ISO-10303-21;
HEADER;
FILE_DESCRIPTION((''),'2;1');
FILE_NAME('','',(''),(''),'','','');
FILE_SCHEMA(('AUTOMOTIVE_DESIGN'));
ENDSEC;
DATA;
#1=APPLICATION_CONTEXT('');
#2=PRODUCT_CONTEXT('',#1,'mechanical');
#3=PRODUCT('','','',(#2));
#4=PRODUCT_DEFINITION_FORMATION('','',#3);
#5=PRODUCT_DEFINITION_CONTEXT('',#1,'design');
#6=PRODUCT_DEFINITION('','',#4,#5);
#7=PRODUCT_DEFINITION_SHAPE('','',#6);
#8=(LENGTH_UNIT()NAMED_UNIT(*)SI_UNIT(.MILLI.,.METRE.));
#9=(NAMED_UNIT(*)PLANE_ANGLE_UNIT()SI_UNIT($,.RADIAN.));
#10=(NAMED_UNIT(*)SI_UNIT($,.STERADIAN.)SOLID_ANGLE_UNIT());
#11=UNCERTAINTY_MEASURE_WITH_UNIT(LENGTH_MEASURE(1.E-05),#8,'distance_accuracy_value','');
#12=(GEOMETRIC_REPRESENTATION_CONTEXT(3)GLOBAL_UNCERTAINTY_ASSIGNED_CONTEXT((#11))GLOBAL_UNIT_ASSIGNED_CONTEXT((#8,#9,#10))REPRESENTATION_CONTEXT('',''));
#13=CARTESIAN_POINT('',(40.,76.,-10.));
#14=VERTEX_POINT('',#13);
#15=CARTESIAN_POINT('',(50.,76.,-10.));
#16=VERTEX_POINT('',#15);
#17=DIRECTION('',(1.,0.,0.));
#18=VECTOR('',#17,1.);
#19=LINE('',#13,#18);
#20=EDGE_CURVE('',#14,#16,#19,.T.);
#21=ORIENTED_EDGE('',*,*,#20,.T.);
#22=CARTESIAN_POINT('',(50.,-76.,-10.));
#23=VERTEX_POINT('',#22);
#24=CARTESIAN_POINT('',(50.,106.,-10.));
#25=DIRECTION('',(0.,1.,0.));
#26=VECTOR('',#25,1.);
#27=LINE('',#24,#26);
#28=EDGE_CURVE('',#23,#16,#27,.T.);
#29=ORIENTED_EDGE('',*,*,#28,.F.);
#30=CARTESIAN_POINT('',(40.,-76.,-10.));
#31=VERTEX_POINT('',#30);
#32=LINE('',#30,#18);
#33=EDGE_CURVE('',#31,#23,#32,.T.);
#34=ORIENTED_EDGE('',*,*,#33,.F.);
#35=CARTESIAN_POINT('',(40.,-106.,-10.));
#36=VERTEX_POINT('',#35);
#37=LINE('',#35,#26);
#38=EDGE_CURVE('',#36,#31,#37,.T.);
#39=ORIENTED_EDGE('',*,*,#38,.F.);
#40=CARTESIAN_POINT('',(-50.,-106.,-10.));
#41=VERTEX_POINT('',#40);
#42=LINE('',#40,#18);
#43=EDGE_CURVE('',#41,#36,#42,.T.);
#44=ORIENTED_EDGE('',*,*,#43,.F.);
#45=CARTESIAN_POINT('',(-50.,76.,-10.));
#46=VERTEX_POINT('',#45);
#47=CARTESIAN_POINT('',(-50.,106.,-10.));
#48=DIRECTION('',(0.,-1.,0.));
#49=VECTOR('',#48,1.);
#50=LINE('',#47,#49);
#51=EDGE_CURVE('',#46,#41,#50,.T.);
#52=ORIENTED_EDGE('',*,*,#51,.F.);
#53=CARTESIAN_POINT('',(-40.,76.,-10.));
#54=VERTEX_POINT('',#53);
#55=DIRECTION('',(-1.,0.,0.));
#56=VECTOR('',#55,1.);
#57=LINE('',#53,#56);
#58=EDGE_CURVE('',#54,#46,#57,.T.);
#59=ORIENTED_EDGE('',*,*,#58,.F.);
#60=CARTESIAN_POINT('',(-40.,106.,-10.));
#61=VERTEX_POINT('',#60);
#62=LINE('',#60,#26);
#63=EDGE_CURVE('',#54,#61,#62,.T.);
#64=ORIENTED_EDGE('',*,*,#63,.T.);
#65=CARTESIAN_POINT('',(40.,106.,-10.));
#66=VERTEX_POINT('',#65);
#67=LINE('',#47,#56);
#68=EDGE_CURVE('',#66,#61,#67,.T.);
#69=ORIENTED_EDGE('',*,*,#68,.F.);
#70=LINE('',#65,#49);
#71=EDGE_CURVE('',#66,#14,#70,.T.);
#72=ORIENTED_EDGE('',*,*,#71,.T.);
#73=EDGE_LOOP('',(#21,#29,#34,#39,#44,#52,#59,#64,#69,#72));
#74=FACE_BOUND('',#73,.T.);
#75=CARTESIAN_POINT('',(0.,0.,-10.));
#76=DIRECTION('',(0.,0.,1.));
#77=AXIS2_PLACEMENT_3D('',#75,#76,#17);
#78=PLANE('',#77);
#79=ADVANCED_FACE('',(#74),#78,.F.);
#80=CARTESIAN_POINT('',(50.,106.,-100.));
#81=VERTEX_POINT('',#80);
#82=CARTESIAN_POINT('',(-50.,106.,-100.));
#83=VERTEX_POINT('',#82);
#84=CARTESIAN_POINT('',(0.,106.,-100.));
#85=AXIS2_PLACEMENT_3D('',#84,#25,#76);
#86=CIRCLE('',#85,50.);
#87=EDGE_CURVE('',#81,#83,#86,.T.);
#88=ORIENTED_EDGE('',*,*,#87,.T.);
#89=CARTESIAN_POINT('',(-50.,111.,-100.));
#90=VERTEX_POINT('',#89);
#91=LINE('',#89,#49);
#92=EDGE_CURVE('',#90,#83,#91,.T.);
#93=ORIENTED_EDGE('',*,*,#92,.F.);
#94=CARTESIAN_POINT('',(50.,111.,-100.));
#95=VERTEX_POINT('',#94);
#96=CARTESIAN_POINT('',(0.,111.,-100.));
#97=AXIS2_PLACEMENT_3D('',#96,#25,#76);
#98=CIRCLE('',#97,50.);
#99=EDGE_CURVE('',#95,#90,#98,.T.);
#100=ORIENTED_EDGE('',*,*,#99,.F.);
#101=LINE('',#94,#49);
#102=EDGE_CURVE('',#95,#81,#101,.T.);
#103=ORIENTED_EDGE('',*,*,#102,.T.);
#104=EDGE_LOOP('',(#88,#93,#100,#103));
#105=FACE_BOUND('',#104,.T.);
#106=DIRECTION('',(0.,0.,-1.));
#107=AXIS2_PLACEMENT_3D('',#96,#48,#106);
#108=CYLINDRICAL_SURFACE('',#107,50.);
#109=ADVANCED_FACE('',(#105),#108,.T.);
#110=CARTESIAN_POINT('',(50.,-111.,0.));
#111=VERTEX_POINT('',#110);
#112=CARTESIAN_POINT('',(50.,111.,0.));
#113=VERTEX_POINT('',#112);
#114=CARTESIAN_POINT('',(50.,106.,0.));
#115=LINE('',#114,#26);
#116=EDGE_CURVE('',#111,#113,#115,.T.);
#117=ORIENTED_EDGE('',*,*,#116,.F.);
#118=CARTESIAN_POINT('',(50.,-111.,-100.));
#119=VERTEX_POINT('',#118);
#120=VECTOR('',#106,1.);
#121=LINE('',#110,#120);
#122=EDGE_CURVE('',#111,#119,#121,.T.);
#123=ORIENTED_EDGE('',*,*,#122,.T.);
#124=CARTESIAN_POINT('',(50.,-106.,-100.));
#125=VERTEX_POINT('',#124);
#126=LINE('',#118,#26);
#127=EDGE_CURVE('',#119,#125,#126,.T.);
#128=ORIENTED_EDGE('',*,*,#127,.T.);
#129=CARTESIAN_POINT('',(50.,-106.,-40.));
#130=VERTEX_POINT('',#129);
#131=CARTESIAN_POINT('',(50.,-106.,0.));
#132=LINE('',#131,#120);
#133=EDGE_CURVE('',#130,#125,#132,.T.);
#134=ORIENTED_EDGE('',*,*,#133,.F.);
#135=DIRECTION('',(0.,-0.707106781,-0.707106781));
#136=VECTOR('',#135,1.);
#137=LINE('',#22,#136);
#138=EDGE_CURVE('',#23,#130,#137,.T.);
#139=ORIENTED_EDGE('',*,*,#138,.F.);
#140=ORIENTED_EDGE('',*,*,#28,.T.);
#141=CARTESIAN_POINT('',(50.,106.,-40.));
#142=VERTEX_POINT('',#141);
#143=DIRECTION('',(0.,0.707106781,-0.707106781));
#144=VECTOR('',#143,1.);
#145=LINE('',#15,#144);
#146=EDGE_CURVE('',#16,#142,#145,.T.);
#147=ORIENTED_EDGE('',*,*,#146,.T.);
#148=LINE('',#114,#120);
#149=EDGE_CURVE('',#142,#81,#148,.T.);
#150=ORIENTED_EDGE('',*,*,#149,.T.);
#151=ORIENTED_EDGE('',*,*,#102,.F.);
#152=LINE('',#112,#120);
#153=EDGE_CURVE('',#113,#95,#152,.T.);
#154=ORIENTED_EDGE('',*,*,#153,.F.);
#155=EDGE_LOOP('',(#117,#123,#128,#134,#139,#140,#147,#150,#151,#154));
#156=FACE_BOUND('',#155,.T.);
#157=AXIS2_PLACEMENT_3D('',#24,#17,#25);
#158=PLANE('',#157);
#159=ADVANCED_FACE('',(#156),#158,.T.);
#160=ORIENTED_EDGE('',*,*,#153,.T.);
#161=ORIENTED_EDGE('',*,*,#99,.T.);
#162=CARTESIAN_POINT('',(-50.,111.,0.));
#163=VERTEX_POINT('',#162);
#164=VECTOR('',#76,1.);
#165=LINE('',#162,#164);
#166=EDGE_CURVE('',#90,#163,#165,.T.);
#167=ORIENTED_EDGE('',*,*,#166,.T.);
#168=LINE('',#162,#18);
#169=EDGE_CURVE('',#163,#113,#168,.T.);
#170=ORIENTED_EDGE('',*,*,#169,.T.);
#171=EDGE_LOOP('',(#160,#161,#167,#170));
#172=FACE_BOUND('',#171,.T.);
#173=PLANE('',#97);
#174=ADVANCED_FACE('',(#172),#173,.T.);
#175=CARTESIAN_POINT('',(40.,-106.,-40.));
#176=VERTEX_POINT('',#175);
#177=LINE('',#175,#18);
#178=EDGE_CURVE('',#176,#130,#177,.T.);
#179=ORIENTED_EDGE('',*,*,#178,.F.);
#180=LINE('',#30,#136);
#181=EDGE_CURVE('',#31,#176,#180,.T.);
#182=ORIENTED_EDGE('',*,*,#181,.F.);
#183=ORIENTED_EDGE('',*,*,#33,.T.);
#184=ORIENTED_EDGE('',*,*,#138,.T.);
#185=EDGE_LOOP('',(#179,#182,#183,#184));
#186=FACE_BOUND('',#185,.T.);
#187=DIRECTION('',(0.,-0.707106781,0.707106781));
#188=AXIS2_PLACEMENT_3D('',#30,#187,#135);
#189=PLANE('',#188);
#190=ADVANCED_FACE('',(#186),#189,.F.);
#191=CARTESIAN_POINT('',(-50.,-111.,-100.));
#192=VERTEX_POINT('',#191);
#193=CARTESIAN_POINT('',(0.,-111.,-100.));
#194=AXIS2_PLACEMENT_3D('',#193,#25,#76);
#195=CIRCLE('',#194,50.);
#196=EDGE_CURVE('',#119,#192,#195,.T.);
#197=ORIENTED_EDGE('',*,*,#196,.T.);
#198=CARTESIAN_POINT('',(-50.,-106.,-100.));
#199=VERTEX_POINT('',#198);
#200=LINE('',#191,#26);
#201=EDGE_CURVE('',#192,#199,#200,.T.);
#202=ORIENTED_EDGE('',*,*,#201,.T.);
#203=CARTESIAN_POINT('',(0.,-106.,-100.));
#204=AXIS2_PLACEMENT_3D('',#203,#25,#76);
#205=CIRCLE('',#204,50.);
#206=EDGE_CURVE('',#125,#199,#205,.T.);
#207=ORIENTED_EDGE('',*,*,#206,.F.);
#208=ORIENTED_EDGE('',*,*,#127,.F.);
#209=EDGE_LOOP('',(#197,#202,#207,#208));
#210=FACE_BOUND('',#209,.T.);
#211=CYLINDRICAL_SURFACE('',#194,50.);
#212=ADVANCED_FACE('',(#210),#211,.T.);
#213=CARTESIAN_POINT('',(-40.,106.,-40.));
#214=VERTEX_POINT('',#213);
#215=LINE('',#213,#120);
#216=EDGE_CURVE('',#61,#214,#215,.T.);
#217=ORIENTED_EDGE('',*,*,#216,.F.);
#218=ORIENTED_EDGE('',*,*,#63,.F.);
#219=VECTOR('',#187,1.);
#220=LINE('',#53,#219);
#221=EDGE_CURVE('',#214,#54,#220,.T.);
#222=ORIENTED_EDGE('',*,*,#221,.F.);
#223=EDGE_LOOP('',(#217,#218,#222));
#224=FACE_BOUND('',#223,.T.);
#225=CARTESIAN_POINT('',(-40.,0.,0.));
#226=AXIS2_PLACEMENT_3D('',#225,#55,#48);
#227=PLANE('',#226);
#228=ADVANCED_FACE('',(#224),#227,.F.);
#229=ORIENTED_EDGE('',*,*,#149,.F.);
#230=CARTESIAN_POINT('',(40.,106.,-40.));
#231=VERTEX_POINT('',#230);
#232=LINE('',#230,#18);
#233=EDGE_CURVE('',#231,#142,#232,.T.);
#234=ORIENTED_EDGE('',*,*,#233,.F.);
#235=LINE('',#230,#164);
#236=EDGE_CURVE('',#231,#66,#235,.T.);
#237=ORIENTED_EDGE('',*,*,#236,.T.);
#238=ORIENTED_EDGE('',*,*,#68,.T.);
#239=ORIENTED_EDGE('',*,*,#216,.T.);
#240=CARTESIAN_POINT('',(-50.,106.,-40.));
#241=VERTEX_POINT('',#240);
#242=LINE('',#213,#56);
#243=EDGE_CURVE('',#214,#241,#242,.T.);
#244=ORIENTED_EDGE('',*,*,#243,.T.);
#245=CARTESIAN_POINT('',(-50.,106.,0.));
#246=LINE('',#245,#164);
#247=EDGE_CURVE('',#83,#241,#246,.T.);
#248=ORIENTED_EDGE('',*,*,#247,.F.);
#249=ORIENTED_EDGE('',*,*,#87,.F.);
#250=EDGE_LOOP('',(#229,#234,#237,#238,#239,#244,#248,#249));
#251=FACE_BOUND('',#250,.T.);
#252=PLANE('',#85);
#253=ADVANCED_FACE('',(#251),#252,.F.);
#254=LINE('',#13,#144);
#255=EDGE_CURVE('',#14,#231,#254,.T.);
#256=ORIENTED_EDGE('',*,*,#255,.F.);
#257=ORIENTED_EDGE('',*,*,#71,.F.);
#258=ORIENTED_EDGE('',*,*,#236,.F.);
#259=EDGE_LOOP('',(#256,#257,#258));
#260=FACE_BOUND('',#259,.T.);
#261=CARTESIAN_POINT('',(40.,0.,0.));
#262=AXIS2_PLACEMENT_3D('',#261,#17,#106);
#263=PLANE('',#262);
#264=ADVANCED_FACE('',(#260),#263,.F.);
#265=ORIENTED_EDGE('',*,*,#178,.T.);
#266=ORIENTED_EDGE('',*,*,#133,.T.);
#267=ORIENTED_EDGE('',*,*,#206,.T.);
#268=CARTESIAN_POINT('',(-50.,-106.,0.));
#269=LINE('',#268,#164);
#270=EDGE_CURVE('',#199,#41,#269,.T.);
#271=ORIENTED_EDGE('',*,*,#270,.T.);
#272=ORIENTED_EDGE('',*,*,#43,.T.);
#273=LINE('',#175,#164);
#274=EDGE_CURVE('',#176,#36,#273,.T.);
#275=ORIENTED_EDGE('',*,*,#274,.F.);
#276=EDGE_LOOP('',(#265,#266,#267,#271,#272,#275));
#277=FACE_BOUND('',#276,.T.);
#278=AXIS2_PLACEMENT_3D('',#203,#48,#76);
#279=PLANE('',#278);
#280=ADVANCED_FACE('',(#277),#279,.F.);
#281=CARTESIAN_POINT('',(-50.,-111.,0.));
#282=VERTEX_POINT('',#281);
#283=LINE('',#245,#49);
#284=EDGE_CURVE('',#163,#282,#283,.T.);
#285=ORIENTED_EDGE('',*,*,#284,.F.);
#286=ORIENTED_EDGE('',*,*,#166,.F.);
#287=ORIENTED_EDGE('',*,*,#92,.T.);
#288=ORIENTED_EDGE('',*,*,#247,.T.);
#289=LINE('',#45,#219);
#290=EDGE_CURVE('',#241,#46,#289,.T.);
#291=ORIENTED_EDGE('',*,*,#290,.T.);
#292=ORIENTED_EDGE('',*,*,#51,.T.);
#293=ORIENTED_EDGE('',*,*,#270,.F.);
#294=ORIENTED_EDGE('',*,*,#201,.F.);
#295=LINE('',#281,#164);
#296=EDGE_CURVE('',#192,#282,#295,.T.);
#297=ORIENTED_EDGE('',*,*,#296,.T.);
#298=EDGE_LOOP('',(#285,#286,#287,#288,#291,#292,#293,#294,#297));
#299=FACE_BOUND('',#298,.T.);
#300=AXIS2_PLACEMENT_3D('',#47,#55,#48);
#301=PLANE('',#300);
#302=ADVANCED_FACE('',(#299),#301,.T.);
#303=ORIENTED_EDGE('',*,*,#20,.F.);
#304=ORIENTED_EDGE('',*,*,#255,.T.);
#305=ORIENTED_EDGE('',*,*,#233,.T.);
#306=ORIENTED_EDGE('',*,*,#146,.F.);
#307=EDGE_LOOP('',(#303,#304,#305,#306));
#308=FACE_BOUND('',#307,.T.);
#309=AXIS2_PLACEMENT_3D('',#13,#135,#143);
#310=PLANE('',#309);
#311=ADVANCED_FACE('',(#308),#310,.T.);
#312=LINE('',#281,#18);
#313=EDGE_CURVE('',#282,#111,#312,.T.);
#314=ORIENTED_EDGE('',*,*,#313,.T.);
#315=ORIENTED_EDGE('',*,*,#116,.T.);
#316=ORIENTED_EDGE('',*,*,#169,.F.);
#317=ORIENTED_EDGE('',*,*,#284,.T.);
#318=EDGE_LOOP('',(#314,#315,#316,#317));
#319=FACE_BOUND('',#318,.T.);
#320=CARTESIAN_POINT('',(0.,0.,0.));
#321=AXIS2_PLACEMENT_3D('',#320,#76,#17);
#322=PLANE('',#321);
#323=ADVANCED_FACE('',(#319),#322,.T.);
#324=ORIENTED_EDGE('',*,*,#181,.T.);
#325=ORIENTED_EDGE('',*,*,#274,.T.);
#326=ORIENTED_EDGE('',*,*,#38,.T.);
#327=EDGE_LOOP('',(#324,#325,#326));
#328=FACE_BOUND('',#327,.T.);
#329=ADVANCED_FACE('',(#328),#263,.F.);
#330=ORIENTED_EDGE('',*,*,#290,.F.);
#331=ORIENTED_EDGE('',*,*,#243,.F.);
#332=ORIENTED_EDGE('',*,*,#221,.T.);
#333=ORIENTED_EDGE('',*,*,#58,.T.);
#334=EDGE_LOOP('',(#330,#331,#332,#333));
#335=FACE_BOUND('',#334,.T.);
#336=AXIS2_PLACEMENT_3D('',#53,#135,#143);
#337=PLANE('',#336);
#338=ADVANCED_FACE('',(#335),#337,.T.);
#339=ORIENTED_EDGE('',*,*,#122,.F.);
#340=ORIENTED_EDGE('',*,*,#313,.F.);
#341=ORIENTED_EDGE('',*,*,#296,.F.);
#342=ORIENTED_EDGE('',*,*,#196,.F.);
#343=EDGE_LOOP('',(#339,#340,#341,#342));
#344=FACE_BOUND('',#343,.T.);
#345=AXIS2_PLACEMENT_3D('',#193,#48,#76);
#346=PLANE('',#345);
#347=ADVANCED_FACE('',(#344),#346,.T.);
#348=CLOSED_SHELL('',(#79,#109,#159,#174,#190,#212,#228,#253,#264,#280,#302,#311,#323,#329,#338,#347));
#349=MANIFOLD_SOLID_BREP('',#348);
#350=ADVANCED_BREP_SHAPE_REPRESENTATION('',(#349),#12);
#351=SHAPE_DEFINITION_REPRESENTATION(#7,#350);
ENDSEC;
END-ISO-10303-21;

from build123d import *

# Parameters (mm, degrees)
PLATE_SKETCH_W                  = 100
PLATE_SKETCH_H                  = 212
PLATE_EXTRUDE_DEPTH             = 10
PRIMARY_SUPPORT_EXTRUDE_DEPTH   = 10
SECONDARY_SUPPORT_EXTRUDE_DEPTH = 10
GRIPPER_EXTRUDE_DEPTH           = 5


with BuildPart() as part:
    # Plate Sketch → Plate Extrude (new body)
    with BuildSketch(Plane.XY):
        Rectangle(PLATE_SKETCH_W, PLATE_SKETCH_H)
    extrude(amount=-PLATE_EXTRUDE_DEPTH)

    # Primary Support Sketch → Primary Support Extrude (add)
    with BuildSketch(Plane(origin=(50, 0, 0), x_dir=(0, 0, -1), z_dir=(1, 0, 0))):
        Polygon((10, 106), (10, 76), (40, 106), align=None)
    primary_support_extrude = extrude(amount=-PRIMARY_SUPPORT_EXTRUDE_DEPTH)

    # Primary Support Mirror: Primary Support Extrude across plane
    add(primary_support_extrude.mirror(Plane.ZX))

    # Secondary Support Sketch → Secondary Support Extrude (add)
    with BuildSketch(Plane.ZY.offset(50)):
        Polygon((-10, 76), (-40, 106), (-10, 106), align=None)
    extrude(amount=-SECONDARY_SUPPORT_EXTRUDE_DEPTH)

    # Gripper Sketch → Gripper Extrude (add)
    with BuildSketch(Plane(origin=(0, 106, 0), x_dir=(1, 0, 0), z_dir=(0, 1, 0))):
        with BuildLine():
            Line((-50, 0), (50, 0))
            Line((50, 0), (50, 100))
            ThreePointArc((50, 100), (0, 150), (-50, 100))
            Line((-50, 100), (-50, 0))
        make_face()
    gripper_extrude = extrude(amount=GRIPPER_EXTRUDE_DEPTH)

    # Gripper Mirror: Gripper Extrude across plane
    add(gripper_extrude.mirror(Plane.ZX))


solid = part.part
